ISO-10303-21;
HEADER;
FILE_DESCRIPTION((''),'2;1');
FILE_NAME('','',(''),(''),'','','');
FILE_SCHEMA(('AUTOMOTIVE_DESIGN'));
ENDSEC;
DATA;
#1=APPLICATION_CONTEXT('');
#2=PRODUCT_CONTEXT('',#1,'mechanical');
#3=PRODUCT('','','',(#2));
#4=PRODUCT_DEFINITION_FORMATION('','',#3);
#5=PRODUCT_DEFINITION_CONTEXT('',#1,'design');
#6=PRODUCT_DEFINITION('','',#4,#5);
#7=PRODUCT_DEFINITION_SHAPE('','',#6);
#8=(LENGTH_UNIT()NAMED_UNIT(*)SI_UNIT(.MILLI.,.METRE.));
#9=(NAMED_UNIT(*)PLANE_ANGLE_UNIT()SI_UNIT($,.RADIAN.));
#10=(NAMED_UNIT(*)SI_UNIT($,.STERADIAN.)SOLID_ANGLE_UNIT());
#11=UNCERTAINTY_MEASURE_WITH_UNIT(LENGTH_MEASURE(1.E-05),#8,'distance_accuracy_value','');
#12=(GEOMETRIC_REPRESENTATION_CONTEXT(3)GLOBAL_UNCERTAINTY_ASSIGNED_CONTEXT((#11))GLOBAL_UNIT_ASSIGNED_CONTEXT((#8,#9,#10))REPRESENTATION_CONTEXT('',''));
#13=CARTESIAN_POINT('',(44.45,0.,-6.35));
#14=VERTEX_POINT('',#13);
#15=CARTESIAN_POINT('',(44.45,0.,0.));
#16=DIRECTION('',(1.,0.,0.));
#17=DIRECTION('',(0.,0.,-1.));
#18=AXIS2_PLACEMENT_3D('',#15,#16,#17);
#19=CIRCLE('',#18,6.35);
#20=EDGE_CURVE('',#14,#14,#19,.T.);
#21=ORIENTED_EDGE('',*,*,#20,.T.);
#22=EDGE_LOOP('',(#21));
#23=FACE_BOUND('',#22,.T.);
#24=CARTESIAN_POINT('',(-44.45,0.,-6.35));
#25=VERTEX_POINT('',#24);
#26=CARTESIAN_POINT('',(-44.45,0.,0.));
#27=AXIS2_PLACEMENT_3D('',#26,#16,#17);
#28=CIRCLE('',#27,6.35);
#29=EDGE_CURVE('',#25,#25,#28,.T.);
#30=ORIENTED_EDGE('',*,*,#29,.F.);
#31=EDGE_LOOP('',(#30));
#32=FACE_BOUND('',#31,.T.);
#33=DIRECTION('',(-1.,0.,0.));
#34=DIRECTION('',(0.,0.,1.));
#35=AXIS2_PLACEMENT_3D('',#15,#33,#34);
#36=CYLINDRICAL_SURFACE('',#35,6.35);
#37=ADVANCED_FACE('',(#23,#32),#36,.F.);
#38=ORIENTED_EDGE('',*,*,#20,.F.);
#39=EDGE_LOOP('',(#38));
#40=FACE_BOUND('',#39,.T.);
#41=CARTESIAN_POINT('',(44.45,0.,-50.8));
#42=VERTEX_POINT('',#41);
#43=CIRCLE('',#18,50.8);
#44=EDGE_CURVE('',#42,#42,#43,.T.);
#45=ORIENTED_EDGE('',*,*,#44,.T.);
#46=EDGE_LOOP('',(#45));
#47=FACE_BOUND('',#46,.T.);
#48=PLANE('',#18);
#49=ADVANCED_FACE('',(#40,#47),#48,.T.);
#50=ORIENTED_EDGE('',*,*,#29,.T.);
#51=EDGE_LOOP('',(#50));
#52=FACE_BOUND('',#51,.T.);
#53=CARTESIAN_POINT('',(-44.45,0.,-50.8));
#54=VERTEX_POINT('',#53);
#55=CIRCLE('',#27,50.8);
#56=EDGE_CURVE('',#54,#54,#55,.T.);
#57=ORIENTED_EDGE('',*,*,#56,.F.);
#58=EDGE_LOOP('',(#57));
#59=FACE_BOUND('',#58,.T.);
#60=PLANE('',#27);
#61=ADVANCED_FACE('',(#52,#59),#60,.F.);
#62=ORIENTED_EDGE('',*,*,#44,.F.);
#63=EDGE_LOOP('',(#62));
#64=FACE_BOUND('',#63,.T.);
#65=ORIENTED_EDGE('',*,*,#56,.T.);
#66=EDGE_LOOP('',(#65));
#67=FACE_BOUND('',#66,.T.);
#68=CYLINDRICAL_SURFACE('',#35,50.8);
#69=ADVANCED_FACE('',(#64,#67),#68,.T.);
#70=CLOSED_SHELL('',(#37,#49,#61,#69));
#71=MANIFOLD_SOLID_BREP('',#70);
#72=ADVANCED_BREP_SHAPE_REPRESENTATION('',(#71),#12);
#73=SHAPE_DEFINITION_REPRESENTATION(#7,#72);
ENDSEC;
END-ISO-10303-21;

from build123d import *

# Parameters (mm, degrees)
SKETCH1_R           = 50.8
SKETCH1_R_2         = 6.35
BOSS_EXTRUDE1_DEPTH = 44.45


with BuildPart() as part:
    # Sketch1 → Boss-Extrude1 (new body, symmetric)
    with BuildSketch(Plane(origin=(0, 0, 0), x_dir=(0, 0, -1), z_dir=(1, 0, 0))):
        Circle(SKETCH1_R)
        Circle(SKETCH1_R_2, mode=Mode.SUBTRACT)
    extrude(amount=BOSS_EXTRUDE1_DEPTH, both=True)


solid = part.part
